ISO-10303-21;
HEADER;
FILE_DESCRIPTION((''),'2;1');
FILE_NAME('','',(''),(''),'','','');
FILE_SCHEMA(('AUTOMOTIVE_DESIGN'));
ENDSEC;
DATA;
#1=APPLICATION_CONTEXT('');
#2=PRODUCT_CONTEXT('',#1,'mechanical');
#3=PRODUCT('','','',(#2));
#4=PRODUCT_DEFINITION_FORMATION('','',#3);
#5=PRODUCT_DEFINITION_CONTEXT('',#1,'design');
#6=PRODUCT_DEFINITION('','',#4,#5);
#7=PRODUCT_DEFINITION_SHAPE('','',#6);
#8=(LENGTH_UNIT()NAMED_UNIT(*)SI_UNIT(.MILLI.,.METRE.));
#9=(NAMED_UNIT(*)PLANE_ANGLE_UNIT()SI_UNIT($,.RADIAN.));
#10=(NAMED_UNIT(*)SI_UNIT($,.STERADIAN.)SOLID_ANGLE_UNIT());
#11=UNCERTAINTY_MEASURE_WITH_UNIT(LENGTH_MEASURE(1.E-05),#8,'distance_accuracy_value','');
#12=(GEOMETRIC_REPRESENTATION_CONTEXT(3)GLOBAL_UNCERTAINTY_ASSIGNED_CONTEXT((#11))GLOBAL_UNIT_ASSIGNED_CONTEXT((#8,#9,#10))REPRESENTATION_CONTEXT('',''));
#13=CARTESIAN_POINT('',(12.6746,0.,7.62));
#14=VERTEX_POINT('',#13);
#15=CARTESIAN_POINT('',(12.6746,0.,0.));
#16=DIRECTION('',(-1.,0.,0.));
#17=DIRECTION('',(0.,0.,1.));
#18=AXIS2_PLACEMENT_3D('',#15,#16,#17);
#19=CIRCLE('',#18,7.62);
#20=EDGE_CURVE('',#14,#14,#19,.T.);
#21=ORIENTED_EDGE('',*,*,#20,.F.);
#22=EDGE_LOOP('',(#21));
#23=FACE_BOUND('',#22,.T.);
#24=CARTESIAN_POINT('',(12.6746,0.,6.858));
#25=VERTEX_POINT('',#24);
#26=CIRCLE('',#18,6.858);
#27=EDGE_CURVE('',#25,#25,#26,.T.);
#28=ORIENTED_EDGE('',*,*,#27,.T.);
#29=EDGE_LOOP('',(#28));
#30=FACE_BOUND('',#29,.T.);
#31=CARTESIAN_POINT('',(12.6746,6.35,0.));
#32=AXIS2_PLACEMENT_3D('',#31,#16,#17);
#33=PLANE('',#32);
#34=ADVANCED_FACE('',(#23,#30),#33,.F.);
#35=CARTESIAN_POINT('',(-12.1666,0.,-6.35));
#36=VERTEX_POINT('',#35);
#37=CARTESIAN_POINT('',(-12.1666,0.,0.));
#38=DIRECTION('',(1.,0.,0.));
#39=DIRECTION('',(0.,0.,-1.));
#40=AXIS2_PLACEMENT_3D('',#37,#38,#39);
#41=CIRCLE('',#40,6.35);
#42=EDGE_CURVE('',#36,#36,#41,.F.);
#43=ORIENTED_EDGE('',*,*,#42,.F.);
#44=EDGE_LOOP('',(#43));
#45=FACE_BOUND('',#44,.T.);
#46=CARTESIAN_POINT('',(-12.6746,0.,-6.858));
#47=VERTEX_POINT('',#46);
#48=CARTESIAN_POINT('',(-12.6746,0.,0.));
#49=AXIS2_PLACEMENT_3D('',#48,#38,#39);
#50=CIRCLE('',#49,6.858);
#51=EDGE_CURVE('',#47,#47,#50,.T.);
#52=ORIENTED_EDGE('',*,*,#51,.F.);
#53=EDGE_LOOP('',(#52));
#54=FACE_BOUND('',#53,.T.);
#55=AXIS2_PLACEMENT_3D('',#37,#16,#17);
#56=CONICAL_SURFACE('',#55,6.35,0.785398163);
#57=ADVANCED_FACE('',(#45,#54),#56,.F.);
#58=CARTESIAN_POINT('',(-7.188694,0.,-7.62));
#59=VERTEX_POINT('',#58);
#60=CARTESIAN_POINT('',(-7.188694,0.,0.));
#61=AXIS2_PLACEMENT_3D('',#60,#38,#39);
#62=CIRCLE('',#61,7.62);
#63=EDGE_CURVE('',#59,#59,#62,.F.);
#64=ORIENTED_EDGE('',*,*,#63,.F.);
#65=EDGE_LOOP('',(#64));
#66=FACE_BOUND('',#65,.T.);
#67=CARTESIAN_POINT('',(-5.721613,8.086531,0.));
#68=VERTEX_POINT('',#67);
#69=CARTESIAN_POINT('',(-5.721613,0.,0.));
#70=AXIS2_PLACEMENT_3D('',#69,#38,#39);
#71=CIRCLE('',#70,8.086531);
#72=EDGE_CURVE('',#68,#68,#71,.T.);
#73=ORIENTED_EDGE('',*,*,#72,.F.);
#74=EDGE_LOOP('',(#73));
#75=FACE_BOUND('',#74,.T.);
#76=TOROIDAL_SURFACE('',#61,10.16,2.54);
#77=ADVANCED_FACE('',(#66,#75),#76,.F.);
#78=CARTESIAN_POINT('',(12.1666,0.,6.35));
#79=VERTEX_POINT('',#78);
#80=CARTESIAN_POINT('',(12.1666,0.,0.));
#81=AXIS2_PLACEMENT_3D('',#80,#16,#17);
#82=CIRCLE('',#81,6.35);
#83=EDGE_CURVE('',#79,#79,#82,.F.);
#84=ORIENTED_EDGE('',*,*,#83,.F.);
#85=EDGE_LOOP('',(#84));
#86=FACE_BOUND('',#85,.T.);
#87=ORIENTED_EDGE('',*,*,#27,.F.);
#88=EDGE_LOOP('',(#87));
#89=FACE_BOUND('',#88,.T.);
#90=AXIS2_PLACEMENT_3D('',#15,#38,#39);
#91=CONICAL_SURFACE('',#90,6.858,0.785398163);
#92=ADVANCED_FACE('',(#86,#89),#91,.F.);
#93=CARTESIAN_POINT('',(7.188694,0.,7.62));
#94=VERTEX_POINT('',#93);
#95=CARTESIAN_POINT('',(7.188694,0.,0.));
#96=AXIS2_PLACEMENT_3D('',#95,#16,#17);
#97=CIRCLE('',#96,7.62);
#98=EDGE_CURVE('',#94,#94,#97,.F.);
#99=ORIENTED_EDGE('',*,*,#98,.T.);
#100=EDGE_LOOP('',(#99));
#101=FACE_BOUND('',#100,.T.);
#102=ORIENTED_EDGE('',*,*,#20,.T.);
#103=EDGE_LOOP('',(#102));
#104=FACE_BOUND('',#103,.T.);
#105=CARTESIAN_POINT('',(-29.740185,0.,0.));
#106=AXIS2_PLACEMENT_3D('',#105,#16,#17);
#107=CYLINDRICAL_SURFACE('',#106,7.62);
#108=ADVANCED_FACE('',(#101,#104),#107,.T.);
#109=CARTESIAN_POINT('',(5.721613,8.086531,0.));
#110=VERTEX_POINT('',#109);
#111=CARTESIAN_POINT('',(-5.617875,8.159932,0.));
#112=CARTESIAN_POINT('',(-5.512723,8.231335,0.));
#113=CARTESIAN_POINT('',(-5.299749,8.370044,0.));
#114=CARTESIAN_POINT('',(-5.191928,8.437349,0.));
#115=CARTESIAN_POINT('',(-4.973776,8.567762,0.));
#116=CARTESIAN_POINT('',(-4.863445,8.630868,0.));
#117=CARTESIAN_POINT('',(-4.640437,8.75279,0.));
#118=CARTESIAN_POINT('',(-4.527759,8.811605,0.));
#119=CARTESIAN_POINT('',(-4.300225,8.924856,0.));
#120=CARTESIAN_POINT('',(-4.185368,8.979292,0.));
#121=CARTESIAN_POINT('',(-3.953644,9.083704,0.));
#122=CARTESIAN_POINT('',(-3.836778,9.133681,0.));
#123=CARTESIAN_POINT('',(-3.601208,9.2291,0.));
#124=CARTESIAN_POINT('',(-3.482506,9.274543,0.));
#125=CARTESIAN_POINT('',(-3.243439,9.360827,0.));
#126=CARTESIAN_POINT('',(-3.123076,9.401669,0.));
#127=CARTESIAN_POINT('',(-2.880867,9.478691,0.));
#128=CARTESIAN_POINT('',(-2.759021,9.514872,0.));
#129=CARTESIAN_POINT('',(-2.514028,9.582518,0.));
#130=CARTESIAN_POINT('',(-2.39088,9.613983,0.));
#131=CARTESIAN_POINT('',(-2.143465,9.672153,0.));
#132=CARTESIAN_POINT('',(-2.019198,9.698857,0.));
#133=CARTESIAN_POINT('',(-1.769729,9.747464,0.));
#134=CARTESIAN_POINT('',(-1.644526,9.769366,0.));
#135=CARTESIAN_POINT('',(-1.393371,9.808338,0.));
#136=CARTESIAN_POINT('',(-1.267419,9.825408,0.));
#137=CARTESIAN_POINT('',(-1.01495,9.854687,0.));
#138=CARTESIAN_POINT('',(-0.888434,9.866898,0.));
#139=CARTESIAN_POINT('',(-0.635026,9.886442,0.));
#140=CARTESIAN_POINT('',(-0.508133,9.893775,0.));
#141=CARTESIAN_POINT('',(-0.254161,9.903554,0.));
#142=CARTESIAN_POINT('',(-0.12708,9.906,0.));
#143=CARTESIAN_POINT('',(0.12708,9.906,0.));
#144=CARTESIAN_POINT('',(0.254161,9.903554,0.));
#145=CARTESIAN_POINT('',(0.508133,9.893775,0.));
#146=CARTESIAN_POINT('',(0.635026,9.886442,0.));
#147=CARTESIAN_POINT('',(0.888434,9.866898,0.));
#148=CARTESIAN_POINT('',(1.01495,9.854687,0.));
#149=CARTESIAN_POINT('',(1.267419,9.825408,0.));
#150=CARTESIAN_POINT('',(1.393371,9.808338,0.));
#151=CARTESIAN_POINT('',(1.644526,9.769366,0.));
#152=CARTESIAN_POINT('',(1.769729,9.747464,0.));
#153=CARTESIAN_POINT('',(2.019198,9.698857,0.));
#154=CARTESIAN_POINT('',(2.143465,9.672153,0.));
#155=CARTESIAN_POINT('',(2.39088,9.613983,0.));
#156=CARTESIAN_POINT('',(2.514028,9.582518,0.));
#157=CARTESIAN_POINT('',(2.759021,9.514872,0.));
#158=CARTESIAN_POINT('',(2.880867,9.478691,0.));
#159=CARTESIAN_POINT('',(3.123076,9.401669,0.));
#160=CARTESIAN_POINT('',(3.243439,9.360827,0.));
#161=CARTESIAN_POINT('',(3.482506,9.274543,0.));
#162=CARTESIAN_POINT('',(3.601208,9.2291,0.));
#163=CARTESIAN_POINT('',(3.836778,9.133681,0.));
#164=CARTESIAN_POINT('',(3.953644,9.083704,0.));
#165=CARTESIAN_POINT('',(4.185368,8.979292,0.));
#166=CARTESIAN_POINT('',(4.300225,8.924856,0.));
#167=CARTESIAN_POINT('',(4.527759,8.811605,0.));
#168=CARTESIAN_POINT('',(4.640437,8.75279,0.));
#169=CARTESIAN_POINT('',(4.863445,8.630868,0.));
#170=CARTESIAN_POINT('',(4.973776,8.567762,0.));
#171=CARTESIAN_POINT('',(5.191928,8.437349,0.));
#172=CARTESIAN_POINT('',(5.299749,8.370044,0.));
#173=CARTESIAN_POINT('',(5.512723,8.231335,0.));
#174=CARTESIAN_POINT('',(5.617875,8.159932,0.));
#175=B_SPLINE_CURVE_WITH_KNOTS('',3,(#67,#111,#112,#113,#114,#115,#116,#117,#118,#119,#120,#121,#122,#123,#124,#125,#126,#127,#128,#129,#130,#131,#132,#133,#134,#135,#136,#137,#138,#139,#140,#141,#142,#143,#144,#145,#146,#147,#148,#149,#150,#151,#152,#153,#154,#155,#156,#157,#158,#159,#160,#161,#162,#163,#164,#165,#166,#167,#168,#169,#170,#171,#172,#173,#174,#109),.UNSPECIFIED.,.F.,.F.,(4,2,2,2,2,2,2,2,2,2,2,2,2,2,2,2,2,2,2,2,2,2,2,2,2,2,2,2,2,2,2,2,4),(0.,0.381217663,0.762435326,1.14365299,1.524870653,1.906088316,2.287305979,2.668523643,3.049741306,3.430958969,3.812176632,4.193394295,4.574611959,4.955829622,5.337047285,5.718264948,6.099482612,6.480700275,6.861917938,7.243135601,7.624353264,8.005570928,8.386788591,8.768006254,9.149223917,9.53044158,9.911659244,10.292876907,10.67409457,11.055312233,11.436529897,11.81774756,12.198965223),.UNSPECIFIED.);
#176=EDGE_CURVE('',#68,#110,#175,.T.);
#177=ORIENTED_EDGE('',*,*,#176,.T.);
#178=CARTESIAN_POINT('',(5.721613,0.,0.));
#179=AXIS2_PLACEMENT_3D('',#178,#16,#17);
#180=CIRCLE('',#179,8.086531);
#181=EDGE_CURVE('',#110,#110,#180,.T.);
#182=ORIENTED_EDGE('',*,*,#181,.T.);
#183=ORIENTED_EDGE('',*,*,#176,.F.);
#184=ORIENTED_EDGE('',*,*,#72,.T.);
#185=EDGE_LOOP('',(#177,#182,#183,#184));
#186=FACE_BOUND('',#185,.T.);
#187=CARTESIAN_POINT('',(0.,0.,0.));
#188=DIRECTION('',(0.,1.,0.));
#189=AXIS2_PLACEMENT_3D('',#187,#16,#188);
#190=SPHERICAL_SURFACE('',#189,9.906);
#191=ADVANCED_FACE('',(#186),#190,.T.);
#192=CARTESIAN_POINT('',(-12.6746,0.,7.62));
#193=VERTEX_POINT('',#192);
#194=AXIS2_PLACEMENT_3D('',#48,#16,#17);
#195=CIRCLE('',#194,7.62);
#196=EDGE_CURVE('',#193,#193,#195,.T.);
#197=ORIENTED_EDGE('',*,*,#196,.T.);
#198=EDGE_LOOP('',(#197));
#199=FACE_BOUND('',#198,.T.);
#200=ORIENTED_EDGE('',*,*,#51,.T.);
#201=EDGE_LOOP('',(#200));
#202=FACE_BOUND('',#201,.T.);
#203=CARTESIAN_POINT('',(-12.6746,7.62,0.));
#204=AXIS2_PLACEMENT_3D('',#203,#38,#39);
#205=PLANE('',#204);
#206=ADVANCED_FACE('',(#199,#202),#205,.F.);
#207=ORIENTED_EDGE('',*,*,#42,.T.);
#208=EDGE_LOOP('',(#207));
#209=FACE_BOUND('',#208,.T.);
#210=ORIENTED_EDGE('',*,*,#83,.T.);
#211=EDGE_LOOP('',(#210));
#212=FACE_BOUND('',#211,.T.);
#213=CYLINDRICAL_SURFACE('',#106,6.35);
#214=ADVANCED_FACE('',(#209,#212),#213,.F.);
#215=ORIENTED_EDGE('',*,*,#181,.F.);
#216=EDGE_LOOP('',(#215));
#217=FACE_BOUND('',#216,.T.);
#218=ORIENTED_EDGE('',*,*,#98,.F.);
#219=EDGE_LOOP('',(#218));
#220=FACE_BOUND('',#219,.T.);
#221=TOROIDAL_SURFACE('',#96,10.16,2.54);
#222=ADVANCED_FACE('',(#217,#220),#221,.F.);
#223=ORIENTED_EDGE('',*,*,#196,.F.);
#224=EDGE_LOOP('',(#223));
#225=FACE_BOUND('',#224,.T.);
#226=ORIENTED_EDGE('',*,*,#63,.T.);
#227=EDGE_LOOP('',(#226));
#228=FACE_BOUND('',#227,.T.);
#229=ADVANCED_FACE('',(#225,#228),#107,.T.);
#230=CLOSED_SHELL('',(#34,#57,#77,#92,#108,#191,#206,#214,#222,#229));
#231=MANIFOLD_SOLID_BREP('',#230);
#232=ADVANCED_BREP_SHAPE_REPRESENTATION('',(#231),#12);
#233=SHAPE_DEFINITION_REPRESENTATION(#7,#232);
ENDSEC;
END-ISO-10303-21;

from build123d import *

# Parameters (mm, degrees)
FILLET1_R     = 2.54
CHAMFER1_SIZE = 0.508


with BuildPart() as part:
    # Sketch1 → Revolve1 (revolve)
    with BuildSketch(Plane.XY, mode=Mode.PRIVATE) as revolve1_sk:
        with BuildLine():
            Line((-12.6746, 6.35), (12.6746, 6.35))
            Line((12.6746, 6.35), (12.6746, 7.62))
            Line((12.6746, 7.62), (6.329647384, 7.62))
            ThreePointArc((6.329647384, 7.62), (0, 9.906), (-6.329647384, 7.62))
            Line((-6.329647384, 7.62), (-12.6746, 7.62))
            Line((-12.6746, 7.62), (-12.6746, 6.35))
        make_face()
    revolve(revolve1_sk.sketch.rotate(Axis((-29.740184884, 0, 0), (1, 0, 0)), 90), axis=Axis((-29.740184884, 0, 0), (1, 0, 0)))

    # Fillet1
    fillet1_edges = [part.edges().sort_by_distance(p)[0] for p in [
        (-6.329647384, 0, -7.62),
        (6.329647384, 0, -7.62),
    ]]
    fillet(fillet1_edges, radius=FILLET1_R)

    # Chamfer1
    chamfer1_edges = [part.edges().sort_by_distance(p)[0] for p in [
        (12.6746, 0, -6.35),
        (-12.6746, 0, -6.35),
    ]]
    chamfer(chamfer1_edges, length=CHAMFER1_SIZE)


solid = part.part
